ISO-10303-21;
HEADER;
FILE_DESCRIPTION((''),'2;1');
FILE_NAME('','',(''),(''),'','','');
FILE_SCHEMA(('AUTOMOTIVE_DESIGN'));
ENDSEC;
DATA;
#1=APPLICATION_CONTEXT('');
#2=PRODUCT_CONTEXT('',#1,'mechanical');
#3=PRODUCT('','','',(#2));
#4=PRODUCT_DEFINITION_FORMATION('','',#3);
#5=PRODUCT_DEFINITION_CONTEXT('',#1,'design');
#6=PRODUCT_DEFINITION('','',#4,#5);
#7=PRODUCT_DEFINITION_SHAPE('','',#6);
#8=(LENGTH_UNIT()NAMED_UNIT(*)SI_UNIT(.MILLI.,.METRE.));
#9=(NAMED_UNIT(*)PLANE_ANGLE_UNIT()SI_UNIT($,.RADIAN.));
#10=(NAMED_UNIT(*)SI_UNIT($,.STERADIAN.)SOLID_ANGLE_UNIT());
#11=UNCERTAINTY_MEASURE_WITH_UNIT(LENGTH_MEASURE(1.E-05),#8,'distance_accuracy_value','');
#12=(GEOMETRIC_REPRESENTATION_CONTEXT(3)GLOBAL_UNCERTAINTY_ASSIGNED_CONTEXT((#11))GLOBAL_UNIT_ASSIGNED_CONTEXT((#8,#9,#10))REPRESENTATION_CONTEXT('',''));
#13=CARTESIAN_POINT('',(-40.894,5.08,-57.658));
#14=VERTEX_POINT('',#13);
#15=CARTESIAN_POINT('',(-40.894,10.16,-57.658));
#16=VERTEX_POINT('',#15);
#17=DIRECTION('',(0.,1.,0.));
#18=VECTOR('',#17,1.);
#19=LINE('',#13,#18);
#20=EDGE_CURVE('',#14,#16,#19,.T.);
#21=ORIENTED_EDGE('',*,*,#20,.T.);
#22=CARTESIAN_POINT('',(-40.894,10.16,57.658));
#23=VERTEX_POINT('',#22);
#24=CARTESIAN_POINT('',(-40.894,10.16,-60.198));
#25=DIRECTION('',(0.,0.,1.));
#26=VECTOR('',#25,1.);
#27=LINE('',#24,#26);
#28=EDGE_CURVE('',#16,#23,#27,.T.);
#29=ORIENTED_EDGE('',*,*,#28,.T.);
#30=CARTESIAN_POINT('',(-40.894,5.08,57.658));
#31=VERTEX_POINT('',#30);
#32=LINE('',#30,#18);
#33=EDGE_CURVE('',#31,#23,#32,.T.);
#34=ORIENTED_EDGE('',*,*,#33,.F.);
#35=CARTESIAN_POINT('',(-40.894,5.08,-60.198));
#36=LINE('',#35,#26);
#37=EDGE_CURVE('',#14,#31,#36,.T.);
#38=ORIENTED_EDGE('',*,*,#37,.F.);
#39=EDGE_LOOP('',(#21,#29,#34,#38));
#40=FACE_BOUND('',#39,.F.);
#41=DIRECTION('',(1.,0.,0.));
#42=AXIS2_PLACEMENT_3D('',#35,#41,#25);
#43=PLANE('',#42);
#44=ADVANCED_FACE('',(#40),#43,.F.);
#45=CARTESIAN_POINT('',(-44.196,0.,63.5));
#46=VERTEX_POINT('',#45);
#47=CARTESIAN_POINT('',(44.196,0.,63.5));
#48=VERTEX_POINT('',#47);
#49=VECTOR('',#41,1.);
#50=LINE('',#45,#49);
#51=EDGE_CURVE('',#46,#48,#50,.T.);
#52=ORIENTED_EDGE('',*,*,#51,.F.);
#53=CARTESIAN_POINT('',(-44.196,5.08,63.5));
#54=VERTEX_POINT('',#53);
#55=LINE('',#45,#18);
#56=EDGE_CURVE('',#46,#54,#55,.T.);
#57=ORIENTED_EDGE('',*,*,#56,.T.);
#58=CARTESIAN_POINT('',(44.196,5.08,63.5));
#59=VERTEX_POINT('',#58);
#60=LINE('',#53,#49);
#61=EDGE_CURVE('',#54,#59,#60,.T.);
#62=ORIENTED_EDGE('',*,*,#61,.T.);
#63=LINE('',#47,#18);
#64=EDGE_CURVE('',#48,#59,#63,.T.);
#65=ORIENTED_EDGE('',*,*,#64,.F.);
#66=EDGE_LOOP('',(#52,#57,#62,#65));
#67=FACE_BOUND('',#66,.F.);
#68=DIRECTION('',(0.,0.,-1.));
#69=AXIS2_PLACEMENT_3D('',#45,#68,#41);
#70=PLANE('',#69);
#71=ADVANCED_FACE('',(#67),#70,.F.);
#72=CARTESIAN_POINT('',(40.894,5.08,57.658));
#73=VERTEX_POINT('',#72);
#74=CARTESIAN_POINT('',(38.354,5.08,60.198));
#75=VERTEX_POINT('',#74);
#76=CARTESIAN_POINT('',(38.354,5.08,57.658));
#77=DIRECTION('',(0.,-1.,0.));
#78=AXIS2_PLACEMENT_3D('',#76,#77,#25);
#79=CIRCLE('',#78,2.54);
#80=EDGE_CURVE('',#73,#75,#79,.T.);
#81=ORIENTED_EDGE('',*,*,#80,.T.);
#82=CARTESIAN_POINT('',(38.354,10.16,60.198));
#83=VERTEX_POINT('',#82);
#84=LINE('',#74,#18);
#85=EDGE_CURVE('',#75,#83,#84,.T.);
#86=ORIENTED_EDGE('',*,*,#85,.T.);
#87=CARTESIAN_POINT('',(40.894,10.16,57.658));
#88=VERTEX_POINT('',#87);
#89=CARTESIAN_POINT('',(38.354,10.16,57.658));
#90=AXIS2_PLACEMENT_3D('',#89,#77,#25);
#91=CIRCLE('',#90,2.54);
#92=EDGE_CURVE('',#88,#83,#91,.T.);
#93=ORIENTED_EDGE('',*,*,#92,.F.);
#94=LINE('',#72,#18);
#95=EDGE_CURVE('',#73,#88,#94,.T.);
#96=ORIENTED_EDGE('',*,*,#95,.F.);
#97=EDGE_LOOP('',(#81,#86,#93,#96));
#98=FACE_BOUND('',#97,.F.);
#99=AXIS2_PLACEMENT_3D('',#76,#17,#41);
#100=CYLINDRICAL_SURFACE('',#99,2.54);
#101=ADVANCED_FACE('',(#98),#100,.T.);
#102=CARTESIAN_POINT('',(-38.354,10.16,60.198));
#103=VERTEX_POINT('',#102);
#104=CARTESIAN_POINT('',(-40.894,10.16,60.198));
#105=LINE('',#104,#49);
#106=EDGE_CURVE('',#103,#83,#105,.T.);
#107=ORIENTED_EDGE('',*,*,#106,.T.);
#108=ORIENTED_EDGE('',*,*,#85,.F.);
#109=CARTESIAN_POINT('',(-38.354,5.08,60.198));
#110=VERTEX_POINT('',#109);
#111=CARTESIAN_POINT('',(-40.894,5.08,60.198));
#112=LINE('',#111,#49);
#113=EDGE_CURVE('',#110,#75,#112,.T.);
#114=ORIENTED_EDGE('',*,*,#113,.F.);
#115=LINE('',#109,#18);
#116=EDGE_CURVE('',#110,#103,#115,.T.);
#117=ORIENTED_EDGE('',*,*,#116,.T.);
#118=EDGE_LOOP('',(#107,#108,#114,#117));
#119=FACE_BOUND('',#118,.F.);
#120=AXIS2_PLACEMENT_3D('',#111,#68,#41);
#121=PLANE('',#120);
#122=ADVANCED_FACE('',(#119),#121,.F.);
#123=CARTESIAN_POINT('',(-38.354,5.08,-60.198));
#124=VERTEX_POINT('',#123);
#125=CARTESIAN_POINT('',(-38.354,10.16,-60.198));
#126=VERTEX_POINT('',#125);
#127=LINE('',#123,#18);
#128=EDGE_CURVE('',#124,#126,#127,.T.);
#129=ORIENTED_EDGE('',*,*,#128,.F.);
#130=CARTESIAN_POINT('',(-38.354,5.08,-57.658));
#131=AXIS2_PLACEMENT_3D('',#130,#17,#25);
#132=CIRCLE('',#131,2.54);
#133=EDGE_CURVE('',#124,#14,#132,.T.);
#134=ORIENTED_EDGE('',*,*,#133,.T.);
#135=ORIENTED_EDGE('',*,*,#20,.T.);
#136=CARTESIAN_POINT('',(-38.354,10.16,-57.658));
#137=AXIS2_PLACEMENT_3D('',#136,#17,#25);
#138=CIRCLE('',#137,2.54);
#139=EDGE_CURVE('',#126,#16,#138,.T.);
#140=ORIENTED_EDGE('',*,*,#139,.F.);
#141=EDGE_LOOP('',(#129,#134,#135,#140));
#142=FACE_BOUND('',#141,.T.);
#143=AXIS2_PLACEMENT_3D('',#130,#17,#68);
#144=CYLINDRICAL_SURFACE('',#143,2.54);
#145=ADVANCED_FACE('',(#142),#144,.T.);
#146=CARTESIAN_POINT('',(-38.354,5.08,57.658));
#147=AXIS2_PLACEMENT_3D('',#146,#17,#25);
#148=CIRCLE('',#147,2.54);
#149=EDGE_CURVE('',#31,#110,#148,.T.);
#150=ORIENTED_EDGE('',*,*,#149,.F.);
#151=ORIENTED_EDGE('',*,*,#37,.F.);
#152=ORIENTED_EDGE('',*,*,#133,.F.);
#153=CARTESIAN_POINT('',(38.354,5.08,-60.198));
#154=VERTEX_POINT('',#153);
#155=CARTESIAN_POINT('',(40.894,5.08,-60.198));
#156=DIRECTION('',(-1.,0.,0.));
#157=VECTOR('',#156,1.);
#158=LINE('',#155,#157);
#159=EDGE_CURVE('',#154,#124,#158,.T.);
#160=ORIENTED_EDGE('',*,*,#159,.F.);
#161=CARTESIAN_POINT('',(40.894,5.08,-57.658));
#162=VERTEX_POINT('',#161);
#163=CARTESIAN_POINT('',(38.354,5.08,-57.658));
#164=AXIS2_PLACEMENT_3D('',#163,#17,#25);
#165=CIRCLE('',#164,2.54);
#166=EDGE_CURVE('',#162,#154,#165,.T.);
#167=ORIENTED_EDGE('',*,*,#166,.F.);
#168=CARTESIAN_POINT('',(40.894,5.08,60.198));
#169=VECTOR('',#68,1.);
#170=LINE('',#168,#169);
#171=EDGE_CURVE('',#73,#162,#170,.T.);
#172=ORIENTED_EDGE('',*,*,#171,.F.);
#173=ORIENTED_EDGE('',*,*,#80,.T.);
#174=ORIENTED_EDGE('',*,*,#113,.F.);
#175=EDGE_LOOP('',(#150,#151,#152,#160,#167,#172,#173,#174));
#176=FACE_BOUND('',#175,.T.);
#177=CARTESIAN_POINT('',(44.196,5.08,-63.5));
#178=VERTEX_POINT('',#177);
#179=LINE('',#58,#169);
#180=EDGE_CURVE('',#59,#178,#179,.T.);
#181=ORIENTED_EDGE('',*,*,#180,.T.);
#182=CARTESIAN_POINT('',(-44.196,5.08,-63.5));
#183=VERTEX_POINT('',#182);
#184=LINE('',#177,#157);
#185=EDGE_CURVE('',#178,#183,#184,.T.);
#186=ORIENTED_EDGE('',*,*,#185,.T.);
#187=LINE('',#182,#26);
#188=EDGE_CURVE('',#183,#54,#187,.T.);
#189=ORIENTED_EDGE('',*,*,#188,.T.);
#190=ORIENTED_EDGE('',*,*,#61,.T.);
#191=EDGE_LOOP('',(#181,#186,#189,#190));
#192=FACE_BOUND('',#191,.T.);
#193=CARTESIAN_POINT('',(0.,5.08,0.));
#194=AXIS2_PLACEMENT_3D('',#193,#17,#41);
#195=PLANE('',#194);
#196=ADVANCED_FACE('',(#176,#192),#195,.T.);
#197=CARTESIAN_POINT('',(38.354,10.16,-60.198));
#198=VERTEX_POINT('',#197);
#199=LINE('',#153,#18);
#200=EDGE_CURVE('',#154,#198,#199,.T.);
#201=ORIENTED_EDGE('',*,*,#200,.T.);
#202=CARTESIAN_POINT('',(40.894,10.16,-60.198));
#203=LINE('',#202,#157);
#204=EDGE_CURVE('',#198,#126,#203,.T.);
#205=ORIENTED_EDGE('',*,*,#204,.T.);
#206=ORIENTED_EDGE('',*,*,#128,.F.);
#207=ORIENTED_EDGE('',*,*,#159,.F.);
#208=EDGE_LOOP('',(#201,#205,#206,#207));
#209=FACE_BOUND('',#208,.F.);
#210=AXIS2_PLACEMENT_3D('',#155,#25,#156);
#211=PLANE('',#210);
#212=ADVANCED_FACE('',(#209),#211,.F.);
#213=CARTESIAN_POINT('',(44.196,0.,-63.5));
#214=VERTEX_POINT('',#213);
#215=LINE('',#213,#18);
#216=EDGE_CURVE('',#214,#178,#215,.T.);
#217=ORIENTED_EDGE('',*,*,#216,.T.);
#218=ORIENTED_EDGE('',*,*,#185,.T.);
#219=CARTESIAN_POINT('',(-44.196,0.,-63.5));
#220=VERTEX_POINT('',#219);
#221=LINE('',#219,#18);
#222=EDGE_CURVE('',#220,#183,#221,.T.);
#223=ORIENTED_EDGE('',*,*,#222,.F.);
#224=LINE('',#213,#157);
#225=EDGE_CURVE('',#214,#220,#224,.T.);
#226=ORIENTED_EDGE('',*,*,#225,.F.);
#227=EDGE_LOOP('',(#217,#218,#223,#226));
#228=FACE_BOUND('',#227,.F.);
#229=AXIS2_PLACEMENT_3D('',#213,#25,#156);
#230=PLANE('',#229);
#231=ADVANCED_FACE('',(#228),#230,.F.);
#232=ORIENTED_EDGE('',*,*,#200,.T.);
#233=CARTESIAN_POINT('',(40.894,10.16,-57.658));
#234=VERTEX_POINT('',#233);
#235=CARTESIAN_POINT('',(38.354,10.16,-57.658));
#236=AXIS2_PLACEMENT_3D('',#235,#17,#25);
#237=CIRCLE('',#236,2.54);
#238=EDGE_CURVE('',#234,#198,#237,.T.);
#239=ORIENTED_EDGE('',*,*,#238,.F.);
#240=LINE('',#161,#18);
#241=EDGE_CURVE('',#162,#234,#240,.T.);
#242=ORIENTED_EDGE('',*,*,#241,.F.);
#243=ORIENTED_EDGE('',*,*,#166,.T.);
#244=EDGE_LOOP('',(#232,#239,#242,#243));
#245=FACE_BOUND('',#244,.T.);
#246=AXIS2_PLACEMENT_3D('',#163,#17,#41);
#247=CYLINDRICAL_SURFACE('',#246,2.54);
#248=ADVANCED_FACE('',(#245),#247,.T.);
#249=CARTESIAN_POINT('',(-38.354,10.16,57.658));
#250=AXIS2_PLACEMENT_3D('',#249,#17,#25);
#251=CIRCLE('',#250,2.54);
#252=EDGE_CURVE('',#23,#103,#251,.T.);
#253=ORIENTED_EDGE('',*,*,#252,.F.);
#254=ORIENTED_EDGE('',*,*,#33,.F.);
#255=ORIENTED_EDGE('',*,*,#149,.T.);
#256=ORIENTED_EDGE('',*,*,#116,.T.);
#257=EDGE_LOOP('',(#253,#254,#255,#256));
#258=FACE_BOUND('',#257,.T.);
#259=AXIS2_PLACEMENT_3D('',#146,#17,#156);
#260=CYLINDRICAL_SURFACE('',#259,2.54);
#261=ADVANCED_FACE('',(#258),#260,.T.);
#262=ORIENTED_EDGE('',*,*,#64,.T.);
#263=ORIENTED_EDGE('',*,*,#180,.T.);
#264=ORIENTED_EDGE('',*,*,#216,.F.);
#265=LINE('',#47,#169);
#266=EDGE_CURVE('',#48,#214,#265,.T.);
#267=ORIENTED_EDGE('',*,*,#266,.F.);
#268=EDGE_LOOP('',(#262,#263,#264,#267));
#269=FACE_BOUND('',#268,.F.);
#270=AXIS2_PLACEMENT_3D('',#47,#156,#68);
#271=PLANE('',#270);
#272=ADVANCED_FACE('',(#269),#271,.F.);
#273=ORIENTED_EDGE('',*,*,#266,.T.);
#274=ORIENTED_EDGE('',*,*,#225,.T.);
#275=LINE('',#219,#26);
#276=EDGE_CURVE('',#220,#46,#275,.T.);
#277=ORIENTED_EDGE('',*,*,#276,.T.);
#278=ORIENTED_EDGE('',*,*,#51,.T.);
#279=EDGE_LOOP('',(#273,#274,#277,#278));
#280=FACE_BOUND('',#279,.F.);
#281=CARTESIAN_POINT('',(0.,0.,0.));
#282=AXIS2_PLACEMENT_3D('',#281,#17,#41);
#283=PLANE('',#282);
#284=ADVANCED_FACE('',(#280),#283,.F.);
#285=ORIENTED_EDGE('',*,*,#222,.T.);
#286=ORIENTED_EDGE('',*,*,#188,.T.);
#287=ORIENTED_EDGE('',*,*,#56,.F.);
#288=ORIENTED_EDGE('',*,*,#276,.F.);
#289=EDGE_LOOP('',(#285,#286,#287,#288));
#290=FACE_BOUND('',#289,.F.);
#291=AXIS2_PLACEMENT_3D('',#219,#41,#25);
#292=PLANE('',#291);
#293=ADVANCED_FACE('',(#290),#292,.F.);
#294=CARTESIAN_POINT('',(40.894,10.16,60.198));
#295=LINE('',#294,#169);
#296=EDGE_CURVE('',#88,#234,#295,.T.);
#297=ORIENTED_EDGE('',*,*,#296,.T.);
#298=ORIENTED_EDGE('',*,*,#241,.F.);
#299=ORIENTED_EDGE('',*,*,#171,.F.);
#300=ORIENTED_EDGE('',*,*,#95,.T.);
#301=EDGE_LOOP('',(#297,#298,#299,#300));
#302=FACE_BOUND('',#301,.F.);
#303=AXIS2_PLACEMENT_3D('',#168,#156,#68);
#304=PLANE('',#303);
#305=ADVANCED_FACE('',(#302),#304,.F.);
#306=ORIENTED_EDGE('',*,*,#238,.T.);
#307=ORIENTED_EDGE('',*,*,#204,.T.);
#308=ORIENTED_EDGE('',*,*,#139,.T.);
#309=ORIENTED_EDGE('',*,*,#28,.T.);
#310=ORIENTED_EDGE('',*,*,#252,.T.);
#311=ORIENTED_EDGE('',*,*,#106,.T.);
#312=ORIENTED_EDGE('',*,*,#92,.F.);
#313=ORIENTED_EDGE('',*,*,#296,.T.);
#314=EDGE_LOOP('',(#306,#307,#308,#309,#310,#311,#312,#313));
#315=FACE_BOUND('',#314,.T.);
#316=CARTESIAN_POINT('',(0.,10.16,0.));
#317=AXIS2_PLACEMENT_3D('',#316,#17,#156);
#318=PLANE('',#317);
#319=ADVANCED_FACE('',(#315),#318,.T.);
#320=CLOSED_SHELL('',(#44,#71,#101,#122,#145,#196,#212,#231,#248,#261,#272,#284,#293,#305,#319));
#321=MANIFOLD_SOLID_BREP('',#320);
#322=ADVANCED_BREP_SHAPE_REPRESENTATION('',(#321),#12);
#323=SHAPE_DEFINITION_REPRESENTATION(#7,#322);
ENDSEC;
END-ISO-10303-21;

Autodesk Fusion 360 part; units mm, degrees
sketch "Sketch1" plane through (0, 0, 0) normal (0, 1, 0) x (1, 0, 0) in component "Lid"
  line L0 (44.196, 63.5) -> (-44.196, 63.5)
  line L1 (-44.196, 63.5) -> (-44.196, -63.5)
  line L2 (-44.196, -63.5) -> (44.196, -63.5)
  line L3 (44.196, -63.5) -> (44.196, 63.5)
  line L4 (44.196, 63.5) -> (-44.196, -63.5) construction
  line L5 (-44.196, 63.5) -> (44.196, -63.5) construction
  dimension "d1" = 88.392
  dimension "d2" = 127
extrude "Extrude1" add sketch "Sketch1" along normal blind 5.08 in component "Lid"
sketch "Sketch3" plane through (0, 5.08, 0) normal (0, 1, 0) x (-1, 0, 0) in component "Lid"
  line L0 (-44.196, 63.5) -> (-44.196, -63.5)
  line L1 (-44.196, -63.5) -> (44.196, -63.5)
  line L2 (44.196, -63.5) -> (44.196, 63.5)
  line L3 (44.196, 63.5) -> (-44.196, 63.5)
  line L4 (-40.894, -60.198) -> (40.894, -60.198)
  line L5 (40.894, -60.198) -> (40.894, 60.198)
  line L6 (40.894, 60.198) -> (-40.894, 60.198)
  line L7 (-40.894, 60.198) -> (-40.894, -60.198)
  line L8 (-40.894, -60.198) -> (40.894, 60.198) construction
  line L9 (40.894, -60.198) -> (-40.894, 60.198) construction
  dimension "d6" = 81.788
  dimension "d7" = 120.396
extrude "Extrude2" add sketch "Sketch3" along normal blind 5.08 contours L4 L5 L6 L7 in component "Lid"
fillet "Fillet1" radius 2.54 4 edges at (-40.894, 7.62, -60.198) (40.894, 7.62, -60.198) (40.894, 7.62, 60.198) (-40.894, 7.62, 60.198) in component "Lid"
component "Lid" placed x (1, 0, 0) y (0, 1, 0) z (0, 0, 1) at (0, 0, 0)
